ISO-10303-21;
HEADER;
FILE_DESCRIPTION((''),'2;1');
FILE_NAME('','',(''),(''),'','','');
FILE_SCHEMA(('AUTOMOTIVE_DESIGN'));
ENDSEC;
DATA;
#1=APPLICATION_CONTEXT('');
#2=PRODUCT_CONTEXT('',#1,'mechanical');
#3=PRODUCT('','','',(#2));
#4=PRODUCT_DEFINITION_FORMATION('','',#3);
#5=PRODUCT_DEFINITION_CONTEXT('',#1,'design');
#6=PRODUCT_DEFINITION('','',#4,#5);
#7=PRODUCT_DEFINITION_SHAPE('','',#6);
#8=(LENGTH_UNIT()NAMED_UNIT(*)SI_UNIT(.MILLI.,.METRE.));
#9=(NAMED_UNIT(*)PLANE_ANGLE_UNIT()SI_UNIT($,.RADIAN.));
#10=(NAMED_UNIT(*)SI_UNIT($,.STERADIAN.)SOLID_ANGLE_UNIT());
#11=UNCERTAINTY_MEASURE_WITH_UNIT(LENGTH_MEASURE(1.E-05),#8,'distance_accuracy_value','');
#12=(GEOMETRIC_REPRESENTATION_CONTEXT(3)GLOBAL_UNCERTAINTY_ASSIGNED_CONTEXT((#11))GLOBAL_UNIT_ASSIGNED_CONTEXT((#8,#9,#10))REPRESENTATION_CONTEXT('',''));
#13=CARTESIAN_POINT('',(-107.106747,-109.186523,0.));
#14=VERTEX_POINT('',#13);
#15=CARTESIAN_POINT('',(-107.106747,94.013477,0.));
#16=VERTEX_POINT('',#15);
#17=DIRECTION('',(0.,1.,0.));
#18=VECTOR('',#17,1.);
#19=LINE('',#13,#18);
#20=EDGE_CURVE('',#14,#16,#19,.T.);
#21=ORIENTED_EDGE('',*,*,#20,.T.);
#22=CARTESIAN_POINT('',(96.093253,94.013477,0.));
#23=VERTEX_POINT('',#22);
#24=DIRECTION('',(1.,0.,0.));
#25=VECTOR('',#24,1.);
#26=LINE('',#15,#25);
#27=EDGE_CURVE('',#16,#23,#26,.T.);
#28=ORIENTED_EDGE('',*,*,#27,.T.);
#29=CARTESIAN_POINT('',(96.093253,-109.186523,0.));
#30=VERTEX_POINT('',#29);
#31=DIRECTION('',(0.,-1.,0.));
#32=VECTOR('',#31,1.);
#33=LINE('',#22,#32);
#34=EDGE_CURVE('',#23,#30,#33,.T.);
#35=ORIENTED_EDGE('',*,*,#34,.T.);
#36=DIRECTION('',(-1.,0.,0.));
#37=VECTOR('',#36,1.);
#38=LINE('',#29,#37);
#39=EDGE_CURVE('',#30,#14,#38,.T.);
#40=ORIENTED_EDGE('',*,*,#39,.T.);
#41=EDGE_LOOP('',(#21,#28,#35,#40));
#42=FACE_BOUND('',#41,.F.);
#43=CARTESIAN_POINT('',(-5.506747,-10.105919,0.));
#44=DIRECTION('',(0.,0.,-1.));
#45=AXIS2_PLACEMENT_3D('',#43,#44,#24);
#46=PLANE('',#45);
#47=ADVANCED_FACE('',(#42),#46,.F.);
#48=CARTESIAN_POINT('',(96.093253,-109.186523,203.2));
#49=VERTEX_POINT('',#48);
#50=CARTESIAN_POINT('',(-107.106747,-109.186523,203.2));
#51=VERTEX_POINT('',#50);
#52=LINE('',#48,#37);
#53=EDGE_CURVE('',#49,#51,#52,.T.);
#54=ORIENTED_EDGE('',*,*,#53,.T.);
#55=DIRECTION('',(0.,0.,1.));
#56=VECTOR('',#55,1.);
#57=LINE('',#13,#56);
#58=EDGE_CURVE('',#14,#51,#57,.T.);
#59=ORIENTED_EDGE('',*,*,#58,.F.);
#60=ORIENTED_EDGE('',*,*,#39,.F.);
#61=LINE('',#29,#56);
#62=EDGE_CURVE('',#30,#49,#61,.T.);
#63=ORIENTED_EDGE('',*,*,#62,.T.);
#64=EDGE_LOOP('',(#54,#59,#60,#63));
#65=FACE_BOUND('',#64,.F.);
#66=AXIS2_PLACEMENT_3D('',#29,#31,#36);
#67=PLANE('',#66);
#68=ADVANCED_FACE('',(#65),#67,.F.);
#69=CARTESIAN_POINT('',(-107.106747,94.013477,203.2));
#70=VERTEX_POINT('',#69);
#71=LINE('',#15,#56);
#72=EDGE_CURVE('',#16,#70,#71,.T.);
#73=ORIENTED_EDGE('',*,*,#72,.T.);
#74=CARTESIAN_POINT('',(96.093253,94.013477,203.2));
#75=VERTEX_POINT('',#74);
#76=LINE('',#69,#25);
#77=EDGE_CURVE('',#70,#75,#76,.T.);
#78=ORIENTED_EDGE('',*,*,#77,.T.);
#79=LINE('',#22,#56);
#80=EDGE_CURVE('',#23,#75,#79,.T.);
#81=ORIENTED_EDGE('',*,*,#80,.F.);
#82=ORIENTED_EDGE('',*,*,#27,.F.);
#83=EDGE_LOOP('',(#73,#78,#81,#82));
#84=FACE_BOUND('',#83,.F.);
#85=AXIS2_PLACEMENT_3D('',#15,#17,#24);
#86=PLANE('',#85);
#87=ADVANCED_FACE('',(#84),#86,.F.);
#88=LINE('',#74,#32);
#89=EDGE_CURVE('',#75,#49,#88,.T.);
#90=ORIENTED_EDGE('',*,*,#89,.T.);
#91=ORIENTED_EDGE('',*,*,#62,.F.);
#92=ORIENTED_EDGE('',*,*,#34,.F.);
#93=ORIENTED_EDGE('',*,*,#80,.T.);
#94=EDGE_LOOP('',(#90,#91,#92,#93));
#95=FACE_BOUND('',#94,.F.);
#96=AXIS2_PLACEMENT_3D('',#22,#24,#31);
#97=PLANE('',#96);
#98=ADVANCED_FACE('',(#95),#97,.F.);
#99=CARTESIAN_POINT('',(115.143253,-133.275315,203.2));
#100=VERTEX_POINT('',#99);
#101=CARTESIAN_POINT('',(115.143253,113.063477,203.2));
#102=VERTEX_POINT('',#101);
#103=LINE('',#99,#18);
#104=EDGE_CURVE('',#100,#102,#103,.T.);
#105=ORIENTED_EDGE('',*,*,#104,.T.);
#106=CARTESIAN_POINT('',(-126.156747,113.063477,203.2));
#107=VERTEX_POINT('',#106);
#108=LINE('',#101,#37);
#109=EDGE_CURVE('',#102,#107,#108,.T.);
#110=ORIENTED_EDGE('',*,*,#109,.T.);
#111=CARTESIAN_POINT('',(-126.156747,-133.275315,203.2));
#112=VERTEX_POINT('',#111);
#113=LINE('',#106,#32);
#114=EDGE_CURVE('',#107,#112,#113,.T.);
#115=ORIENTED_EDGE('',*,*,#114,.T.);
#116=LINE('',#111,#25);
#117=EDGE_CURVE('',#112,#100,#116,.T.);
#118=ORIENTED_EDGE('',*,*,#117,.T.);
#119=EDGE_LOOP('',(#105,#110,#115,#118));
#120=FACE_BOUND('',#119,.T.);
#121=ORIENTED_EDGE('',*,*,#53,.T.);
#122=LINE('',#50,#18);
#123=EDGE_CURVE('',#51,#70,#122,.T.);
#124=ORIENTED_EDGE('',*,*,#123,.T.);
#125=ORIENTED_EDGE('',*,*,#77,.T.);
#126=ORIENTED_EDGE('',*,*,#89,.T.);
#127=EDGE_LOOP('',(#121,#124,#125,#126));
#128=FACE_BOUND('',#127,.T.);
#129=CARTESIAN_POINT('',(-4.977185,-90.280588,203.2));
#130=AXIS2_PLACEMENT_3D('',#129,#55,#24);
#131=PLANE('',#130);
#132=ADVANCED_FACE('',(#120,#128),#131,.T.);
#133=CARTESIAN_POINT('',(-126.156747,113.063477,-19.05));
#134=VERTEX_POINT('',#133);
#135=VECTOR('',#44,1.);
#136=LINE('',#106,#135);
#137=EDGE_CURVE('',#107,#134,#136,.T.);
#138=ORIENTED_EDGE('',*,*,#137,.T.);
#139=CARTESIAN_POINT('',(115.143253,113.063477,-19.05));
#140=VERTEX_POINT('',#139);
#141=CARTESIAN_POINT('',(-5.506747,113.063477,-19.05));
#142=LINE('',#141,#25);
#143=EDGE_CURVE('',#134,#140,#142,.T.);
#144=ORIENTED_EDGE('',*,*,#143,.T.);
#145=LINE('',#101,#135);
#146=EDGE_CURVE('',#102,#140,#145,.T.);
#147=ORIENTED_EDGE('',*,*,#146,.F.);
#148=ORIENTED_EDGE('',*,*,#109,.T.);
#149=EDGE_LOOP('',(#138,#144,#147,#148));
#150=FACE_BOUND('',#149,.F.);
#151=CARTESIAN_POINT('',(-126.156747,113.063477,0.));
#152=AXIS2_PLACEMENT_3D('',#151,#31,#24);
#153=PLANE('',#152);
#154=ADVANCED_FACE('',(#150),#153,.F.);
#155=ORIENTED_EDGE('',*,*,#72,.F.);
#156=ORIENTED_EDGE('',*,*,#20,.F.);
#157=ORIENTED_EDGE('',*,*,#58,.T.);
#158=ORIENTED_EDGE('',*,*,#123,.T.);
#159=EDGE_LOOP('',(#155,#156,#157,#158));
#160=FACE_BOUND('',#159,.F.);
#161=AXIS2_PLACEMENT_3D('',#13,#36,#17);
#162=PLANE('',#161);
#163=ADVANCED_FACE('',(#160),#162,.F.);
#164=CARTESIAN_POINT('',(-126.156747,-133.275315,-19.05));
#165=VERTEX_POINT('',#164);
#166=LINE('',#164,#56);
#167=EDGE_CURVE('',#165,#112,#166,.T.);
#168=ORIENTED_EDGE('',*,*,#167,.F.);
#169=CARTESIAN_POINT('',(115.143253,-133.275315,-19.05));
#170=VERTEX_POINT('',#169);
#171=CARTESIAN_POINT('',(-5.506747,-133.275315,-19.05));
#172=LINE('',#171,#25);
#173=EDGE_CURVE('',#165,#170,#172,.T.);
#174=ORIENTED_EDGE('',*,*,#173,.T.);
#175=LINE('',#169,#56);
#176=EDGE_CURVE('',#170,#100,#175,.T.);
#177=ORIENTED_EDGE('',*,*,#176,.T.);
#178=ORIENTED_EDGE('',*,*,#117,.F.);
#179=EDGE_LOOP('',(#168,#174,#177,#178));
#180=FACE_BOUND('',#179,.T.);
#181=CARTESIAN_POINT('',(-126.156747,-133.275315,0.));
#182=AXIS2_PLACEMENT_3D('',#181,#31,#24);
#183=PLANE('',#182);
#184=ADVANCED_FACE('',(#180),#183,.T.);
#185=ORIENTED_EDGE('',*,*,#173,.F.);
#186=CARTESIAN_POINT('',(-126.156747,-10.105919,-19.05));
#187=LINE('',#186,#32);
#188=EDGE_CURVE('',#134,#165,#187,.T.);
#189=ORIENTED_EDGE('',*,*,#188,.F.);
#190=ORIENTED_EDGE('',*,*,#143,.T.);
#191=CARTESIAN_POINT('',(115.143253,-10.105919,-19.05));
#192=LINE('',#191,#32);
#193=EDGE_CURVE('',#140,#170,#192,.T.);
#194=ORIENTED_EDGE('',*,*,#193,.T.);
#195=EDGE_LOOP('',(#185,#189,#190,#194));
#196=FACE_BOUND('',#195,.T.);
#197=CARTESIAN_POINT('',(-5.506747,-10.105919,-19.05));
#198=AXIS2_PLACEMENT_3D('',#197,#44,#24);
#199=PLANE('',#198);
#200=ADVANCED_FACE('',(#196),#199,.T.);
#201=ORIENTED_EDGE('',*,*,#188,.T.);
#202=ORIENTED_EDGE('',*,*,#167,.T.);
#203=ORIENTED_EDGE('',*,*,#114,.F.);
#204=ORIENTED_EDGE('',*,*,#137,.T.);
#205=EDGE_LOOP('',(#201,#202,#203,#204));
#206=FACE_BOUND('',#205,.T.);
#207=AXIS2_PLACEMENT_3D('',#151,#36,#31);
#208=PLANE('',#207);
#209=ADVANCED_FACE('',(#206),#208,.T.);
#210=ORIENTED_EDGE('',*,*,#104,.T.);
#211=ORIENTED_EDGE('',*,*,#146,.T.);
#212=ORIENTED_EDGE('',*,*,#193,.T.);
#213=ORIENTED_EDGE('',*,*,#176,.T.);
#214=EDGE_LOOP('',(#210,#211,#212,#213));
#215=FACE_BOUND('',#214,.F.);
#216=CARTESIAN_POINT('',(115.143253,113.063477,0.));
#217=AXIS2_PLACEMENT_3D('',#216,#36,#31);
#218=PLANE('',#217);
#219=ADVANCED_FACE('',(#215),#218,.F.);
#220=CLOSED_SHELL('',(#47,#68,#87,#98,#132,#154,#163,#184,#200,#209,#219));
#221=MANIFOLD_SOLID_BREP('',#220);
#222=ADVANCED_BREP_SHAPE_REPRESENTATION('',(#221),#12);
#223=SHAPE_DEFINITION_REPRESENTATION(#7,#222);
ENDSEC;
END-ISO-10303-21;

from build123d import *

# Parameters (mm, degrees)
F1_DEPTH = 203.2
F2_W     = 241.3
F2_H     = 246.338792
F3_DEPTH = 19.05


with BuildPart() as f1:
    # F0 (on Top) → F1 (new body)
    with BuildSketch(Plane.XY):
        Polygon((-107.106747, -109.186523), (-107.106747, -9.808976), (-126.156747, -9.808976), (-126.156747, -133.275315), (115.143253, -133.275315), (115.143253, -7.586523), (96.093253, -7.586523), (96.093253, -109.186523), align=None)
        Polygon((-107.106747, -9.808976), (-107.106747, 94.013477), (-2.590392, 94.013477), (-2.590392, 113.063477), (-126.156747, 113.063477), (-126.156747, -9.808976), align=None)
        Polygon((-2.590392, 113.063477), (-2.590392, 94.013477), (96.093253, 94.013477), (96.093253, -7.586523), (115.143253, -7.586523), (115.143253, 113.063477), align=None)
    extrude(amount=F1_DEPTH)

    # F2 (on face) → F3 (join)
    with BuildSketch(Plane(origin=(0, 0, 0), x_dir=(1, 0, 0), z_dir=(0, 0, -1))):
        with Locations((-5.506747, 10.105919)):
            Rectangle(F2_W, F2_H)
    extrude(amount=F3_DEPTH)


solid = f1.part
